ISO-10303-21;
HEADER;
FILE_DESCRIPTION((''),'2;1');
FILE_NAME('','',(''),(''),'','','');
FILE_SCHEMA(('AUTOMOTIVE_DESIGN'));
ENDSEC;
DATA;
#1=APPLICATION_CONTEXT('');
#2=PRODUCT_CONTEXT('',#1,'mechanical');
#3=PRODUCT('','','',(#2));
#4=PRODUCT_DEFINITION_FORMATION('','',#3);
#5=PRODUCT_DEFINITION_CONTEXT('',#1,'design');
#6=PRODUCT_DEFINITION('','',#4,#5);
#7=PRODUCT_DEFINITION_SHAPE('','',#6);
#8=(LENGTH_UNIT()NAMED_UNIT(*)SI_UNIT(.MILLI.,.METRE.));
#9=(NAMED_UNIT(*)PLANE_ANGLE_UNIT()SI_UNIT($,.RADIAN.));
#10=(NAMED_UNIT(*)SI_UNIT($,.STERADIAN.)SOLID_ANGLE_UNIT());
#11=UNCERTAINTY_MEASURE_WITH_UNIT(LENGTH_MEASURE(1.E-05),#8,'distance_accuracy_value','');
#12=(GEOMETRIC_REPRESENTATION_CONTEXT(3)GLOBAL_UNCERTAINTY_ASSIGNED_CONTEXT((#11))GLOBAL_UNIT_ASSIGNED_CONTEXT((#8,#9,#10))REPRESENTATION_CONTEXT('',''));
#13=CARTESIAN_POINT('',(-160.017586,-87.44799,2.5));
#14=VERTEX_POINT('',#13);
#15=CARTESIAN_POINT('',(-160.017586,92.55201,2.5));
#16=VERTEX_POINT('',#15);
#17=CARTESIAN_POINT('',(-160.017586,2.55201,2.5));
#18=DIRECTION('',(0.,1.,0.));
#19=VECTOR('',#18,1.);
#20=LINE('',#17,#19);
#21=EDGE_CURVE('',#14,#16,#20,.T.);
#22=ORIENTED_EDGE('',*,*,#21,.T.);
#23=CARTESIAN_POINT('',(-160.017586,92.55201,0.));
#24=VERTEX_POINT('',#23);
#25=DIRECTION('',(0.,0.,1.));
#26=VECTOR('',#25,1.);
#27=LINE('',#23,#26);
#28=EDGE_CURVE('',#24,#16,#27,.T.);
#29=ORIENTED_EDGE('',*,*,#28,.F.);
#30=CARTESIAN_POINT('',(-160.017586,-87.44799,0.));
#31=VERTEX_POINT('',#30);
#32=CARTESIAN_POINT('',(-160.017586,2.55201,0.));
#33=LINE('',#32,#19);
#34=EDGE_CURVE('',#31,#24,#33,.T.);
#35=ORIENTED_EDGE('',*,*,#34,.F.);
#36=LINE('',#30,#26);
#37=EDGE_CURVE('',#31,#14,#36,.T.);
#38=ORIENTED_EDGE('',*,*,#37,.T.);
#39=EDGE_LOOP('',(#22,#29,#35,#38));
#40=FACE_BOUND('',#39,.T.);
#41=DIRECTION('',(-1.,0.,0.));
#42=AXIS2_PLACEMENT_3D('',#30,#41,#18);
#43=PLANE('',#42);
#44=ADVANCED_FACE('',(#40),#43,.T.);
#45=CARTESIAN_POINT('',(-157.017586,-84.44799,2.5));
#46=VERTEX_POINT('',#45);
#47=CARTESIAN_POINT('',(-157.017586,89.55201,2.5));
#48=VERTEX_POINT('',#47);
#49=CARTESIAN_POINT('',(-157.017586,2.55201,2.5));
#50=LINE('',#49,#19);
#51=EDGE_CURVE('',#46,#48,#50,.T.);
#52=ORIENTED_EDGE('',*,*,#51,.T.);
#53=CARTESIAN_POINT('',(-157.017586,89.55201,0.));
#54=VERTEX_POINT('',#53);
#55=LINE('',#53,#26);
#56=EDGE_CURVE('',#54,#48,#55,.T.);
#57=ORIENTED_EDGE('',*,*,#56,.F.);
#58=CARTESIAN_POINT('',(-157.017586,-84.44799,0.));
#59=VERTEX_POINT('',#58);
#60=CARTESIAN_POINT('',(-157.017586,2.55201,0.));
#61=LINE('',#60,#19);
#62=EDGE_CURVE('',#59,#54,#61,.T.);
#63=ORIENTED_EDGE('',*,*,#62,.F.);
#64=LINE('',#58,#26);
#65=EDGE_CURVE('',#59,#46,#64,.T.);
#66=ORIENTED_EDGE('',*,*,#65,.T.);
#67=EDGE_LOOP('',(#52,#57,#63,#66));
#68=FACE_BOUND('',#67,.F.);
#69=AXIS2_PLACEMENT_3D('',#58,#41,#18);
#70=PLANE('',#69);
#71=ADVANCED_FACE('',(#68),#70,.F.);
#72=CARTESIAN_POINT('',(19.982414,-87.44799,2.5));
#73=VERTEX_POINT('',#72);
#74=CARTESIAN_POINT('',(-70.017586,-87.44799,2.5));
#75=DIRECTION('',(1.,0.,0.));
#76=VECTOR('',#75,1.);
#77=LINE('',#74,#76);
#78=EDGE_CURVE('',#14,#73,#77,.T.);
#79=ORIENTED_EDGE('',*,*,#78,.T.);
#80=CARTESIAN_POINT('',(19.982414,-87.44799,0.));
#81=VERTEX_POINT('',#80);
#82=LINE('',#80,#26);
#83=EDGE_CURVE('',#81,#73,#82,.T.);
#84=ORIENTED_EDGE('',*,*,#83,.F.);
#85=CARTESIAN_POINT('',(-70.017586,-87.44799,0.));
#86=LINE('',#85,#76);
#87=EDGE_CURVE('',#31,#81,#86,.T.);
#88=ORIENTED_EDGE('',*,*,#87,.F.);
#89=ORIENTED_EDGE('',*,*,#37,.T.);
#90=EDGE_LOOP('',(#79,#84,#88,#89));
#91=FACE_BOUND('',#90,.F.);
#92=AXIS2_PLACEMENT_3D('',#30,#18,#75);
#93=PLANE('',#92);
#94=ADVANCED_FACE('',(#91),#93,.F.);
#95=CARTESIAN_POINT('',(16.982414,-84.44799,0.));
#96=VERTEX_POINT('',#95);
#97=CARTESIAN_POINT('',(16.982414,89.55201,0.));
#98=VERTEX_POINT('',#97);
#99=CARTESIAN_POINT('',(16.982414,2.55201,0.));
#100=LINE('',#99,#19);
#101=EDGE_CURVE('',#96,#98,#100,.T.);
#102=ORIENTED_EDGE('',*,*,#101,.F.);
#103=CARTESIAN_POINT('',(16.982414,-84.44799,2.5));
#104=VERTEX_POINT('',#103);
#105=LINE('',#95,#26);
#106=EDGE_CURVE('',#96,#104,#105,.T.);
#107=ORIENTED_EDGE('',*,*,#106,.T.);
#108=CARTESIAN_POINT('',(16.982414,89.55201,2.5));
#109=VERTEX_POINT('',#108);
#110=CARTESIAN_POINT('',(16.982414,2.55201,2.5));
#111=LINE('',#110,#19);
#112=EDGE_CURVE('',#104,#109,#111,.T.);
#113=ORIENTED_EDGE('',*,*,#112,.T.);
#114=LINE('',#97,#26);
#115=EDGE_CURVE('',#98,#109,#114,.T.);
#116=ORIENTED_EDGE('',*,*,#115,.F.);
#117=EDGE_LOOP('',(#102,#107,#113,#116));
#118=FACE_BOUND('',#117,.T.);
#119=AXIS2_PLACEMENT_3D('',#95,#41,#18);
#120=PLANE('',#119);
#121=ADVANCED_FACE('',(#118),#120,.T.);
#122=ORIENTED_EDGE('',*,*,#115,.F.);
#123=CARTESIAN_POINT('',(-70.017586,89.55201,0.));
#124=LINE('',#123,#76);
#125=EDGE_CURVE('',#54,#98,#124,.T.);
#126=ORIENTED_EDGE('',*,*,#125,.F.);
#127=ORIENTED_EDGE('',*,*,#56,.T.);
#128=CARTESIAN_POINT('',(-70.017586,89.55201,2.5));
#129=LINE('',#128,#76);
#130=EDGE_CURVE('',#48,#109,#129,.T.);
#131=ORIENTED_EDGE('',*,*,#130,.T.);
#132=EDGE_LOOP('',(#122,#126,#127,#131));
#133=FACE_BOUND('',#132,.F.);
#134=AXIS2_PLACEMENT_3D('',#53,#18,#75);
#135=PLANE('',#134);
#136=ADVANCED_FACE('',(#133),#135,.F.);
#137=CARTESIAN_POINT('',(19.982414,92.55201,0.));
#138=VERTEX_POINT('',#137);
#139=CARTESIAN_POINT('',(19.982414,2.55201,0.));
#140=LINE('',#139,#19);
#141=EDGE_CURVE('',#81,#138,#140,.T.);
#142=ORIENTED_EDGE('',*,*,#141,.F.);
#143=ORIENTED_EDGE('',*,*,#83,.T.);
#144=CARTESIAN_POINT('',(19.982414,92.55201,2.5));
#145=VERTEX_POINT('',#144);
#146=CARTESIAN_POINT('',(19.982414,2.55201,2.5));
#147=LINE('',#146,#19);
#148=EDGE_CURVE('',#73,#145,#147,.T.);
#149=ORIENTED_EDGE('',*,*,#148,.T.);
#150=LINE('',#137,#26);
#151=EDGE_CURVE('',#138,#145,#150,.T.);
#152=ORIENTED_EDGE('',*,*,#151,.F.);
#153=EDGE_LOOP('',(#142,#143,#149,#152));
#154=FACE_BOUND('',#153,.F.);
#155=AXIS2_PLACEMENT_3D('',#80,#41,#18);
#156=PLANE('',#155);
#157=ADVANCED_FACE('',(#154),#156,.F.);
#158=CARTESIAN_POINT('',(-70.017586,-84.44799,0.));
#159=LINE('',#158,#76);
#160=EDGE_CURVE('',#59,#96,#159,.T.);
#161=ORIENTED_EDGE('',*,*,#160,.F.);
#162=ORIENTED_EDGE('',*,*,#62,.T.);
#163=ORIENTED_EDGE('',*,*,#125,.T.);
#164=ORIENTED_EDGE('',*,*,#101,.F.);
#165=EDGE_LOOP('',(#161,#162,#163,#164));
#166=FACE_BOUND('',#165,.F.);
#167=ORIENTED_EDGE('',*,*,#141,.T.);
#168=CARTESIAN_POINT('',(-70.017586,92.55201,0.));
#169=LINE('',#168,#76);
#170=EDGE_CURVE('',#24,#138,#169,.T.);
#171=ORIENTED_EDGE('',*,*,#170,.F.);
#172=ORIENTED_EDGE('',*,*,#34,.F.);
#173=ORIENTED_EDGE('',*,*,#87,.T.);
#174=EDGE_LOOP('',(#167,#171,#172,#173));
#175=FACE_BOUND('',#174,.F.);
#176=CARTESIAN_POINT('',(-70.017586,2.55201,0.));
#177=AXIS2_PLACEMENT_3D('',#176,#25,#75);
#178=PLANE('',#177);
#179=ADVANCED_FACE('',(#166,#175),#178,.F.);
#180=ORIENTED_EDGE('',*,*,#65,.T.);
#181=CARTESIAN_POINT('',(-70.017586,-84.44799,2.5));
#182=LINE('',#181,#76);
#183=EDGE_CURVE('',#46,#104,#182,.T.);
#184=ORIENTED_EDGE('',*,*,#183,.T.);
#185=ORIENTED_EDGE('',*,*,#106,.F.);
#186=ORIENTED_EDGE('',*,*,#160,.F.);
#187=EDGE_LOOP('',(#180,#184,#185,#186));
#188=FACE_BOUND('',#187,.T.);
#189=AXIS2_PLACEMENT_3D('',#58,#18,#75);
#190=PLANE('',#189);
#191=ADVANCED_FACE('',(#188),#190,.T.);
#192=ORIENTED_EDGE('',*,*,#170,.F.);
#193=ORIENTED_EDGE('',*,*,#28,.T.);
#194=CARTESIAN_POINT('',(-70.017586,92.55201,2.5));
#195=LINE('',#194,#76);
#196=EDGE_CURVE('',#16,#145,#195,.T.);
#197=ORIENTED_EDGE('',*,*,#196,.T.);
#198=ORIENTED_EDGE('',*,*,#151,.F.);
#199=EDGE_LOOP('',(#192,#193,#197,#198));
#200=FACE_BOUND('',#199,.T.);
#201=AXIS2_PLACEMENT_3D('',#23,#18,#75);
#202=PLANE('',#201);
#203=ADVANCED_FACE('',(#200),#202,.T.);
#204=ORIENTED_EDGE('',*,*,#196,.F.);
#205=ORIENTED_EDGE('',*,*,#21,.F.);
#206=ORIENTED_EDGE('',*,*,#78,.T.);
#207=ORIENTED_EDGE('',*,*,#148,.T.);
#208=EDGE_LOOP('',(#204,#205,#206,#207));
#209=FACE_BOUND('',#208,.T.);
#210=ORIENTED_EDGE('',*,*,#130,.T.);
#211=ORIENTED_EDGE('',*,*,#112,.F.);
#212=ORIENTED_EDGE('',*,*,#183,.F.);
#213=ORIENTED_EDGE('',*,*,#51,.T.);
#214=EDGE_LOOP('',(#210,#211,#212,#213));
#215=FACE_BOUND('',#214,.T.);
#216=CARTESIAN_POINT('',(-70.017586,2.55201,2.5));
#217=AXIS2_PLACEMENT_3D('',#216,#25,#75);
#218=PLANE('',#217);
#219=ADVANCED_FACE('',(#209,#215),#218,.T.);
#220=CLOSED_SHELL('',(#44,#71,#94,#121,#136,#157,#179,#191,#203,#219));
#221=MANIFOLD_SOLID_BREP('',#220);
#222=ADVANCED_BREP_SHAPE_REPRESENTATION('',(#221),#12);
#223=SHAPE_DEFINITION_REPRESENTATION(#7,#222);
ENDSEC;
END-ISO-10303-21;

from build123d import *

# Parameters (mm, degrees)
F0_W     = 180
F0_H     = 180
F0_W_2   = 174
F0_H_2   = 174
F1_DEPTH = 2.5
F2_DEPTH = 25


with BuildPart() as f1:
    # F0 (on Top) → F1 (new body)
    with BuildSketch(Plane.XY):
        with Locations((-70.017586, 2.55201)):
            Rectangle(F0_W, F0_H)
        with Locations((-70.017586, 2.55201)):
            Rectangle(F0_W_2, F0_H_2, mode=Mode.SUBTRACT)
    extrude(amount=F1_DEPTH)

    # F0 (on Top) → F2 (cut)
    with BuildSketch(Plane.XY):
        with Locations((-70.017586, 2.55201)):
            Rectangle(F0_W_2, F0_H_2)
    extrude(amount=-F2_DEPTH, mode=Mode.SUBTRACT)


solid = f1.part
